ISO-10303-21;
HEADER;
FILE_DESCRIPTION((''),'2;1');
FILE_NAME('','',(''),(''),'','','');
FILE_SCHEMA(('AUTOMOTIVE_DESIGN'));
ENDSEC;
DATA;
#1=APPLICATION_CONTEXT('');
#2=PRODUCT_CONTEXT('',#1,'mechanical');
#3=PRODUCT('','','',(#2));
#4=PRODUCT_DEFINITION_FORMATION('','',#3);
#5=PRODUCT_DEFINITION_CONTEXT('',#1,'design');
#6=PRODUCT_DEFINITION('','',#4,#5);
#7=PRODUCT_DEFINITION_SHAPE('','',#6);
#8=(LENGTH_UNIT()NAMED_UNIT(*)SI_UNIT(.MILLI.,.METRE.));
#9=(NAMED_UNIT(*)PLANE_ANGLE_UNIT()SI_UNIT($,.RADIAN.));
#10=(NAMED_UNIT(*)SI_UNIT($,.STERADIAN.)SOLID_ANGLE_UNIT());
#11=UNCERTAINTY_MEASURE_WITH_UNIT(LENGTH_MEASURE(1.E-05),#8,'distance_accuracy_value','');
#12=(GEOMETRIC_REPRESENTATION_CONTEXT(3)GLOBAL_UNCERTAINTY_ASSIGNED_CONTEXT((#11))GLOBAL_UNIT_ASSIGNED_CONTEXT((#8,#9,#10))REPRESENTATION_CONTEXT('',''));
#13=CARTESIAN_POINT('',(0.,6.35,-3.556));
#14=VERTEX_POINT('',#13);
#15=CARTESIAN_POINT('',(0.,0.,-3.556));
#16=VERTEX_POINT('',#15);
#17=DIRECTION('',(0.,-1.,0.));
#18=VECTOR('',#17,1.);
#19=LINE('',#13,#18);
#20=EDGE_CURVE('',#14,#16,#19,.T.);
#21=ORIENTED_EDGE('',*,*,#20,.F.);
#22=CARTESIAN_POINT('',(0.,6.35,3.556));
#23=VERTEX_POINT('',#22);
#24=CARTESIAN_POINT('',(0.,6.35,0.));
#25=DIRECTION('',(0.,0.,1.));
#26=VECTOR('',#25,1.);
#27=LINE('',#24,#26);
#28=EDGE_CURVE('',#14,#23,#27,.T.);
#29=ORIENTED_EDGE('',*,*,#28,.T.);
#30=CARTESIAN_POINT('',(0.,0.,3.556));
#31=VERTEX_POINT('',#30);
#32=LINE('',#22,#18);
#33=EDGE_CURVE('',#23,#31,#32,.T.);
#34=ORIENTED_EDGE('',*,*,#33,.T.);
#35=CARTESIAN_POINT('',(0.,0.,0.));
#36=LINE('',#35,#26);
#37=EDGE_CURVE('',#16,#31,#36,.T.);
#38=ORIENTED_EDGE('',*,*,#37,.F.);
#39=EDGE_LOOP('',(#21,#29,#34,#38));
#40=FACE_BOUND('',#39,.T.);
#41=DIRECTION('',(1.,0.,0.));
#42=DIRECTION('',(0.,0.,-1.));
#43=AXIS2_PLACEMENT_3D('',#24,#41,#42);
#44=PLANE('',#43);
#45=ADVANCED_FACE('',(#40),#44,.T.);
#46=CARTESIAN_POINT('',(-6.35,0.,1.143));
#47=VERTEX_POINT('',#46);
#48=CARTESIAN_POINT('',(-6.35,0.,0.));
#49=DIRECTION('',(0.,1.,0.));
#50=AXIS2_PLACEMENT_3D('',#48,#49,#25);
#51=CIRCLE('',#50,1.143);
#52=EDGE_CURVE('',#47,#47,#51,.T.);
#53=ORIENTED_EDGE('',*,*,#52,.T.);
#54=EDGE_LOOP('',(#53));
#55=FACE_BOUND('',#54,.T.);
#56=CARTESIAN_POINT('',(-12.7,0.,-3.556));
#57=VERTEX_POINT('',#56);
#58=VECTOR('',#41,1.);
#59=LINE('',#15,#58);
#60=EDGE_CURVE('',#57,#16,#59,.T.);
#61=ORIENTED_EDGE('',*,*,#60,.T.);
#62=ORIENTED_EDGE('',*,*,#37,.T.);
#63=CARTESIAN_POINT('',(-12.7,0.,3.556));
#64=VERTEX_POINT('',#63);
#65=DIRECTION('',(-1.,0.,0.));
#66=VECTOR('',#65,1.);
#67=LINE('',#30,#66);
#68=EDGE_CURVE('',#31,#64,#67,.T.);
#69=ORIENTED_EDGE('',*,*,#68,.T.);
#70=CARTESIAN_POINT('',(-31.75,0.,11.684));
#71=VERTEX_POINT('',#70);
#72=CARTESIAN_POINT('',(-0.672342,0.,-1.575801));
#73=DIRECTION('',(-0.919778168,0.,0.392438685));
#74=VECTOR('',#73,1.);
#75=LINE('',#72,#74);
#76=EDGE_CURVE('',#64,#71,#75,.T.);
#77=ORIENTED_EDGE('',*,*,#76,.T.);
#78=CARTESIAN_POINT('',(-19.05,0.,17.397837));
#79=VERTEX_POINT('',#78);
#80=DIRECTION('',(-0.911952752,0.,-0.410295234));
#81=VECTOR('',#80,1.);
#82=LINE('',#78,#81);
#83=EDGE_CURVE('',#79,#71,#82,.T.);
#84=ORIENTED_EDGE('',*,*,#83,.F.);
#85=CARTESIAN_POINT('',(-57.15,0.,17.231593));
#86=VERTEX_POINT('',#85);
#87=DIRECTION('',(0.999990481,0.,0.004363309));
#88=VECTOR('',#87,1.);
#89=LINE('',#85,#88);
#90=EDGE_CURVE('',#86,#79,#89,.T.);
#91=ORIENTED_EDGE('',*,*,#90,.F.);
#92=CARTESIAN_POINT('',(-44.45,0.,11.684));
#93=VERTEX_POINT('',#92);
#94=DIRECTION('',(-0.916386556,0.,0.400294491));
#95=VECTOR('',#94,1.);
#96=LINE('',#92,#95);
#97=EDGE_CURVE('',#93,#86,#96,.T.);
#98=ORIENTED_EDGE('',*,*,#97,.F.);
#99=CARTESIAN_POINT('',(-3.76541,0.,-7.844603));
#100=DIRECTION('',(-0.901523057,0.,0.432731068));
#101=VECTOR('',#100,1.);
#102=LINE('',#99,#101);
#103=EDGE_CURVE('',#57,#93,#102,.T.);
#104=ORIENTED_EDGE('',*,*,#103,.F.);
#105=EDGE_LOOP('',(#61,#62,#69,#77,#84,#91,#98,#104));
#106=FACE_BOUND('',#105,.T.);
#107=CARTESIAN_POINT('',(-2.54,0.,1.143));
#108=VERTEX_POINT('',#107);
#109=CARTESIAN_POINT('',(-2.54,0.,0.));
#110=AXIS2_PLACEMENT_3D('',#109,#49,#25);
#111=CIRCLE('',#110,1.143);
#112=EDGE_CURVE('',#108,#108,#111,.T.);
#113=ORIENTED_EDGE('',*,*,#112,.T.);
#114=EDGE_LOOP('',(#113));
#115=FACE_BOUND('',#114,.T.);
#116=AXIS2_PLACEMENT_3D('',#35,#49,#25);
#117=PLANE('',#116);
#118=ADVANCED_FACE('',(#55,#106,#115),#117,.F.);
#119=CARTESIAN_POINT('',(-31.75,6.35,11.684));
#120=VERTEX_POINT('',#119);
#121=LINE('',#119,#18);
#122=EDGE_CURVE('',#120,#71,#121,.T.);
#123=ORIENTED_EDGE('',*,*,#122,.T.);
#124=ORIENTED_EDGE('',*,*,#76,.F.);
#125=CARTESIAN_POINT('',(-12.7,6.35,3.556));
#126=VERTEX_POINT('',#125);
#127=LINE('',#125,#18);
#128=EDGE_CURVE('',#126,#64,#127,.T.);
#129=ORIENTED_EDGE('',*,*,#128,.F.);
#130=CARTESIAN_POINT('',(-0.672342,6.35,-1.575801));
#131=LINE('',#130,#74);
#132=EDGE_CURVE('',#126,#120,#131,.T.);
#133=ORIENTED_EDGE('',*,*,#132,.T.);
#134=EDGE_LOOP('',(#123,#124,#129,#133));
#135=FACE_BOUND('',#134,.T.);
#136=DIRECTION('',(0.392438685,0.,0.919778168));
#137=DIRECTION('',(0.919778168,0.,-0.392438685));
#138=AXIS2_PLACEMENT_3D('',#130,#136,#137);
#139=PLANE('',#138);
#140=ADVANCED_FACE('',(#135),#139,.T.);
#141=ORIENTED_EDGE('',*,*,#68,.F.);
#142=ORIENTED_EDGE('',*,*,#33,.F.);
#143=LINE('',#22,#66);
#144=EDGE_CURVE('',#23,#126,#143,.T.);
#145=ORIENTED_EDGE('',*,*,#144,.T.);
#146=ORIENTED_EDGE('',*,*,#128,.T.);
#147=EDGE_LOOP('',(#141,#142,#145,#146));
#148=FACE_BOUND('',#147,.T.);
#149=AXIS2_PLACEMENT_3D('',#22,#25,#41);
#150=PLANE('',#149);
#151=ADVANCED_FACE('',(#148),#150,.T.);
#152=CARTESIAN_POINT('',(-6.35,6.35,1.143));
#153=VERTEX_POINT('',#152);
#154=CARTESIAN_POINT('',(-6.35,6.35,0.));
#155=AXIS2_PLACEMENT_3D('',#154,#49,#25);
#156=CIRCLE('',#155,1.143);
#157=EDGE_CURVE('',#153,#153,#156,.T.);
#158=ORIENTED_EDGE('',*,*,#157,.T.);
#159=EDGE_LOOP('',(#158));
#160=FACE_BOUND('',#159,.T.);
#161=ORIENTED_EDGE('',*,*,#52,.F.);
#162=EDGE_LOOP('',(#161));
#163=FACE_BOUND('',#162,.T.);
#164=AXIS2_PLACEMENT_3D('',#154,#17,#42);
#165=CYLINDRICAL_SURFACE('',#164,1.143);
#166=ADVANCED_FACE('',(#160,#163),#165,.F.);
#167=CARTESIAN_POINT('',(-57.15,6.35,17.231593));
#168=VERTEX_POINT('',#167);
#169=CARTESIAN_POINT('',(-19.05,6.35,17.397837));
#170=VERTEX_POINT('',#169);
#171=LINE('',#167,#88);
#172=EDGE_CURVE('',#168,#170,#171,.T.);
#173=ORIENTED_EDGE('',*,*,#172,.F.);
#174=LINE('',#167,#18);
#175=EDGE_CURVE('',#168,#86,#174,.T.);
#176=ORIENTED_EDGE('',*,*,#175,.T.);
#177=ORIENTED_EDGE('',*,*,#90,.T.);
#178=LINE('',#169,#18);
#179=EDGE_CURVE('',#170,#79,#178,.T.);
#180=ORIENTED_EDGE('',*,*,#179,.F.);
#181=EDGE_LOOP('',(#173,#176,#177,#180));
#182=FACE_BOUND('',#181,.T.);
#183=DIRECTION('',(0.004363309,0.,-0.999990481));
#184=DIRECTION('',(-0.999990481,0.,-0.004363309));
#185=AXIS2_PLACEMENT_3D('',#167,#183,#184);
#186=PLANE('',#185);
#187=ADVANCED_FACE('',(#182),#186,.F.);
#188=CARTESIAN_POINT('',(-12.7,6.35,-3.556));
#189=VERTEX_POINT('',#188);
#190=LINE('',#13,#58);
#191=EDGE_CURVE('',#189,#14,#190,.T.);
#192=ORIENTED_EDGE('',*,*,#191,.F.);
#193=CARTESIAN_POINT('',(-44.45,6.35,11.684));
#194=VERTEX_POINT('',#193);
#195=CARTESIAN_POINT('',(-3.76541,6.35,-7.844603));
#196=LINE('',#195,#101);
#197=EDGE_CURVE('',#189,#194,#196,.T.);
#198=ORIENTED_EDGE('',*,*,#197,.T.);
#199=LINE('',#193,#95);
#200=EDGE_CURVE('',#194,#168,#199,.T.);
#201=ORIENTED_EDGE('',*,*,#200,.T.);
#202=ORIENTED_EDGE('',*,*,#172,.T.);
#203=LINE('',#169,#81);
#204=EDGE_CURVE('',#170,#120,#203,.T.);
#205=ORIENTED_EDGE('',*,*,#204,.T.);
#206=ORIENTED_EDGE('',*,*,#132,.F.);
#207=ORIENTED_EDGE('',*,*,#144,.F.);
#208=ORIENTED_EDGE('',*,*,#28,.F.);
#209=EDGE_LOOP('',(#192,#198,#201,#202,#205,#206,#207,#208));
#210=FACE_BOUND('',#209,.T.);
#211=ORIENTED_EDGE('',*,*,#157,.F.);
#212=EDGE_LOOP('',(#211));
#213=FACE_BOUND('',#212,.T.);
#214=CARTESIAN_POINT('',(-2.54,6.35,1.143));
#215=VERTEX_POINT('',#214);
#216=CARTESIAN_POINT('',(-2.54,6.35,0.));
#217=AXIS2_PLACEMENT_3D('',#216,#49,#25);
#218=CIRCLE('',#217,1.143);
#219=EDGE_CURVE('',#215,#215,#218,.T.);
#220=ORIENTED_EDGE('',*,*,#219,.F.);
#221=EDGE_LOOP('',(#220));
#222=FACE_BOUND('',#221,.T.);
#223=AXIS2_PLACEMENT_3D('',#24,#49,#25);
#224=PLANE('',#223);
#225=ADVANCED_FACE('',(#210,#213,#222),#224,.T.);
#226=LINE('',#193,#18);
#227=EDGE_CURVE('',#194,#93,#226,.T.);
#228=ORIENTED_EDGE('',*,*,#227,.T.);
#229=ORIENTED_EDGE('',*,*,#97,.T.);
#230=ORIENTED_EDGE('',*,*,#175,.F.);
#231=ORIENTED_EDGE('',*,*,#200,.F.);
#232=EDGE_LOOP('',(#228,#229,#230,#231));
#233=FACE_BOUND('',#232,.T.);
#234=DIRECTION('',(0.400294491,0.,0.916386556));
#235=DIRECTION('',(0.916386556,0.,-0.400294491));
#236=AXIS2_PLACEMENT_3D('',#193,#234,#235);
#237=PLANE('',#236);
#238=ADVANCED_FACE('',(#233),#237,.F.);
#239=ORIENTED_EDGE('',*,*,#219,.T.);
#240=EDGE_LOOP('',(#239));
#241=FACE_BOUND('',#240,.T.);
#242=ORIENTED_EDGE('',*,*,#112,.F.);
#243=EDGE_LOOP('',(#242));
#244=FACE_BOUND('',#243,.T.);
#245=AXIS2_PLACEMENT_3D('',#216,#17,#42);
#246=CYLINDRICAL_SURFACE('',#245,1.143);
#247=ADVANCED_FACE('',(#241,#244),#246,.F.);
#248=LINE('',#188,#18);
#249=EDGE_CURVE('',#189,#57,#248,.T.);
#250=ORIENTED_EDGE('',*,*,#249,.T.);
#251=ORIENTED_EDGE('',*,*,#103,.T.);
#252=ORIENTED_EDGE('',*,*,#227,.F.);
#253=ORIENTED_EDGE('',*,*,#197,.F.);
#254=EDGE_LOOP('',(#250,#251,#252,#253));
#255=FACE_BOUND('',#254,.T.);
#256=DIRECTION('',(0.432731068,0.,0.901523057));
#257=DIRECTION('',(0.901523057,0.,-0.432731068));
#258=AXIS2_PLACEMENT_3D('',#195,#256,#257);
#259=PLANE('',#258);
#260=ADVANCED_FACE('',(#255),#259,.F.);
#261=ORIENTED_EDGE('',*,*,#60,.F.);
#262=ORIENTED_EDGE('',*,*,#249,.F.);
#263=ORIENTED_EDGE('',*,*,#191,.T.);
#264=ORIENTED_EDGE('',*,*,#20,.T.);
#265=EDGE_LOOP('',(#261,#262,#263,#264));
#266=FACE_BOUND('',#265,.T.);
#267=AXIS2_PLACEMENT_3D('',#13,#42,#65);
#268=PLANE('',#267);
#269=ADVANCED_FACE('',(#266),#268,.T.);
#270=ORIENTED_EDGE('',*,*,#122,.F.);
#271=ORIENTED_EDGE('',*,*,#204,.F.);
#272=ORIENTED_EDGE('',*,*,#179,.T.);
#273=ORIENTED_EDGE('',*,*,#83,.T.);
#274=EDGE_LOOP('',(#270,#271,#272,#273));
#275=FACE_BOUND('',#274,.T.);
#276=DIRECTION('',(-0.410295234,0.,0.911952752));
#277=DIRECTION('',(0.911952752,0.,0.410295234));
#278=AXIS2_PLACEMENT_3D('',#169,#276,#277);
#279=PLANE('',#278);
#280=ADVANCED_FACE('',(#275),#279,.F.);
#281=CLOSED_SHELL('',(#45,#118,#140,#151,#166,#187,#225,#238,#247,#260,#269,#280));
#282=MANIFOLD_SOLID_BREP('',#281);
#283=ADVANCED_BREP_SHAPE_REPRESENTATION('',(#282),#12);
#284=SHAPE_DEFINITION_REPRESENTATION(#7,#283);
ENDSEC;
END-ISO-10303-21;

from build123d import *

# Parameters (mm, degrees)
SKETCH2_W           = 12.7
SKETCH2_H           = 7.112
SKETCH2_R           = 1.143
BOSS_EXTRUDE1_DEPTH = 6.35
BOSS_EXTRUDE2_DEPTH = 6.35


with BuildPart() as part:
    # Sketch2 → Boss-Extrude1 (new body)
    with BuildSketch(Plane(origin=(0, 0, 0), x_dir=(1, 0, 0), z_dir=(0, 1, 0))):
        Polygon((-12.7, -3.556), (-31.75, -11.684), (-44.45, -11.684), (-12.7, 3.556), align=None)
        with Locations((-6.35, 0)):
            Rectangle(SKETCH2_W, SKETCH2_H)
        with Locations((-6.35, 0)):
            Circle(SKETCH2_R, mode=Mode.SUBTRACT)
        with Locations((-2.54, 0)):
            Circle(SKETCH2_R, mode=Mode.SUBTRACT)
    extrude(amount=BOSS_EXTRUDE1_DEPTH)

    # Sketch3 → Boss-Extrude2 (add)
    with BuildSketch(Plane(origin=(0, 0, 0), x_dir=(1, 0, 0), z_dir=(0, 1, 0))):
        Polygon((-44.45, -11.684), (-57.15, -17.231593434), (-19.05, -17.3978371), (-31.75, -11.684), align=None)
    extrude(amount=BOSS_EXTRUDE2_DEPTH)


solid = part.part
